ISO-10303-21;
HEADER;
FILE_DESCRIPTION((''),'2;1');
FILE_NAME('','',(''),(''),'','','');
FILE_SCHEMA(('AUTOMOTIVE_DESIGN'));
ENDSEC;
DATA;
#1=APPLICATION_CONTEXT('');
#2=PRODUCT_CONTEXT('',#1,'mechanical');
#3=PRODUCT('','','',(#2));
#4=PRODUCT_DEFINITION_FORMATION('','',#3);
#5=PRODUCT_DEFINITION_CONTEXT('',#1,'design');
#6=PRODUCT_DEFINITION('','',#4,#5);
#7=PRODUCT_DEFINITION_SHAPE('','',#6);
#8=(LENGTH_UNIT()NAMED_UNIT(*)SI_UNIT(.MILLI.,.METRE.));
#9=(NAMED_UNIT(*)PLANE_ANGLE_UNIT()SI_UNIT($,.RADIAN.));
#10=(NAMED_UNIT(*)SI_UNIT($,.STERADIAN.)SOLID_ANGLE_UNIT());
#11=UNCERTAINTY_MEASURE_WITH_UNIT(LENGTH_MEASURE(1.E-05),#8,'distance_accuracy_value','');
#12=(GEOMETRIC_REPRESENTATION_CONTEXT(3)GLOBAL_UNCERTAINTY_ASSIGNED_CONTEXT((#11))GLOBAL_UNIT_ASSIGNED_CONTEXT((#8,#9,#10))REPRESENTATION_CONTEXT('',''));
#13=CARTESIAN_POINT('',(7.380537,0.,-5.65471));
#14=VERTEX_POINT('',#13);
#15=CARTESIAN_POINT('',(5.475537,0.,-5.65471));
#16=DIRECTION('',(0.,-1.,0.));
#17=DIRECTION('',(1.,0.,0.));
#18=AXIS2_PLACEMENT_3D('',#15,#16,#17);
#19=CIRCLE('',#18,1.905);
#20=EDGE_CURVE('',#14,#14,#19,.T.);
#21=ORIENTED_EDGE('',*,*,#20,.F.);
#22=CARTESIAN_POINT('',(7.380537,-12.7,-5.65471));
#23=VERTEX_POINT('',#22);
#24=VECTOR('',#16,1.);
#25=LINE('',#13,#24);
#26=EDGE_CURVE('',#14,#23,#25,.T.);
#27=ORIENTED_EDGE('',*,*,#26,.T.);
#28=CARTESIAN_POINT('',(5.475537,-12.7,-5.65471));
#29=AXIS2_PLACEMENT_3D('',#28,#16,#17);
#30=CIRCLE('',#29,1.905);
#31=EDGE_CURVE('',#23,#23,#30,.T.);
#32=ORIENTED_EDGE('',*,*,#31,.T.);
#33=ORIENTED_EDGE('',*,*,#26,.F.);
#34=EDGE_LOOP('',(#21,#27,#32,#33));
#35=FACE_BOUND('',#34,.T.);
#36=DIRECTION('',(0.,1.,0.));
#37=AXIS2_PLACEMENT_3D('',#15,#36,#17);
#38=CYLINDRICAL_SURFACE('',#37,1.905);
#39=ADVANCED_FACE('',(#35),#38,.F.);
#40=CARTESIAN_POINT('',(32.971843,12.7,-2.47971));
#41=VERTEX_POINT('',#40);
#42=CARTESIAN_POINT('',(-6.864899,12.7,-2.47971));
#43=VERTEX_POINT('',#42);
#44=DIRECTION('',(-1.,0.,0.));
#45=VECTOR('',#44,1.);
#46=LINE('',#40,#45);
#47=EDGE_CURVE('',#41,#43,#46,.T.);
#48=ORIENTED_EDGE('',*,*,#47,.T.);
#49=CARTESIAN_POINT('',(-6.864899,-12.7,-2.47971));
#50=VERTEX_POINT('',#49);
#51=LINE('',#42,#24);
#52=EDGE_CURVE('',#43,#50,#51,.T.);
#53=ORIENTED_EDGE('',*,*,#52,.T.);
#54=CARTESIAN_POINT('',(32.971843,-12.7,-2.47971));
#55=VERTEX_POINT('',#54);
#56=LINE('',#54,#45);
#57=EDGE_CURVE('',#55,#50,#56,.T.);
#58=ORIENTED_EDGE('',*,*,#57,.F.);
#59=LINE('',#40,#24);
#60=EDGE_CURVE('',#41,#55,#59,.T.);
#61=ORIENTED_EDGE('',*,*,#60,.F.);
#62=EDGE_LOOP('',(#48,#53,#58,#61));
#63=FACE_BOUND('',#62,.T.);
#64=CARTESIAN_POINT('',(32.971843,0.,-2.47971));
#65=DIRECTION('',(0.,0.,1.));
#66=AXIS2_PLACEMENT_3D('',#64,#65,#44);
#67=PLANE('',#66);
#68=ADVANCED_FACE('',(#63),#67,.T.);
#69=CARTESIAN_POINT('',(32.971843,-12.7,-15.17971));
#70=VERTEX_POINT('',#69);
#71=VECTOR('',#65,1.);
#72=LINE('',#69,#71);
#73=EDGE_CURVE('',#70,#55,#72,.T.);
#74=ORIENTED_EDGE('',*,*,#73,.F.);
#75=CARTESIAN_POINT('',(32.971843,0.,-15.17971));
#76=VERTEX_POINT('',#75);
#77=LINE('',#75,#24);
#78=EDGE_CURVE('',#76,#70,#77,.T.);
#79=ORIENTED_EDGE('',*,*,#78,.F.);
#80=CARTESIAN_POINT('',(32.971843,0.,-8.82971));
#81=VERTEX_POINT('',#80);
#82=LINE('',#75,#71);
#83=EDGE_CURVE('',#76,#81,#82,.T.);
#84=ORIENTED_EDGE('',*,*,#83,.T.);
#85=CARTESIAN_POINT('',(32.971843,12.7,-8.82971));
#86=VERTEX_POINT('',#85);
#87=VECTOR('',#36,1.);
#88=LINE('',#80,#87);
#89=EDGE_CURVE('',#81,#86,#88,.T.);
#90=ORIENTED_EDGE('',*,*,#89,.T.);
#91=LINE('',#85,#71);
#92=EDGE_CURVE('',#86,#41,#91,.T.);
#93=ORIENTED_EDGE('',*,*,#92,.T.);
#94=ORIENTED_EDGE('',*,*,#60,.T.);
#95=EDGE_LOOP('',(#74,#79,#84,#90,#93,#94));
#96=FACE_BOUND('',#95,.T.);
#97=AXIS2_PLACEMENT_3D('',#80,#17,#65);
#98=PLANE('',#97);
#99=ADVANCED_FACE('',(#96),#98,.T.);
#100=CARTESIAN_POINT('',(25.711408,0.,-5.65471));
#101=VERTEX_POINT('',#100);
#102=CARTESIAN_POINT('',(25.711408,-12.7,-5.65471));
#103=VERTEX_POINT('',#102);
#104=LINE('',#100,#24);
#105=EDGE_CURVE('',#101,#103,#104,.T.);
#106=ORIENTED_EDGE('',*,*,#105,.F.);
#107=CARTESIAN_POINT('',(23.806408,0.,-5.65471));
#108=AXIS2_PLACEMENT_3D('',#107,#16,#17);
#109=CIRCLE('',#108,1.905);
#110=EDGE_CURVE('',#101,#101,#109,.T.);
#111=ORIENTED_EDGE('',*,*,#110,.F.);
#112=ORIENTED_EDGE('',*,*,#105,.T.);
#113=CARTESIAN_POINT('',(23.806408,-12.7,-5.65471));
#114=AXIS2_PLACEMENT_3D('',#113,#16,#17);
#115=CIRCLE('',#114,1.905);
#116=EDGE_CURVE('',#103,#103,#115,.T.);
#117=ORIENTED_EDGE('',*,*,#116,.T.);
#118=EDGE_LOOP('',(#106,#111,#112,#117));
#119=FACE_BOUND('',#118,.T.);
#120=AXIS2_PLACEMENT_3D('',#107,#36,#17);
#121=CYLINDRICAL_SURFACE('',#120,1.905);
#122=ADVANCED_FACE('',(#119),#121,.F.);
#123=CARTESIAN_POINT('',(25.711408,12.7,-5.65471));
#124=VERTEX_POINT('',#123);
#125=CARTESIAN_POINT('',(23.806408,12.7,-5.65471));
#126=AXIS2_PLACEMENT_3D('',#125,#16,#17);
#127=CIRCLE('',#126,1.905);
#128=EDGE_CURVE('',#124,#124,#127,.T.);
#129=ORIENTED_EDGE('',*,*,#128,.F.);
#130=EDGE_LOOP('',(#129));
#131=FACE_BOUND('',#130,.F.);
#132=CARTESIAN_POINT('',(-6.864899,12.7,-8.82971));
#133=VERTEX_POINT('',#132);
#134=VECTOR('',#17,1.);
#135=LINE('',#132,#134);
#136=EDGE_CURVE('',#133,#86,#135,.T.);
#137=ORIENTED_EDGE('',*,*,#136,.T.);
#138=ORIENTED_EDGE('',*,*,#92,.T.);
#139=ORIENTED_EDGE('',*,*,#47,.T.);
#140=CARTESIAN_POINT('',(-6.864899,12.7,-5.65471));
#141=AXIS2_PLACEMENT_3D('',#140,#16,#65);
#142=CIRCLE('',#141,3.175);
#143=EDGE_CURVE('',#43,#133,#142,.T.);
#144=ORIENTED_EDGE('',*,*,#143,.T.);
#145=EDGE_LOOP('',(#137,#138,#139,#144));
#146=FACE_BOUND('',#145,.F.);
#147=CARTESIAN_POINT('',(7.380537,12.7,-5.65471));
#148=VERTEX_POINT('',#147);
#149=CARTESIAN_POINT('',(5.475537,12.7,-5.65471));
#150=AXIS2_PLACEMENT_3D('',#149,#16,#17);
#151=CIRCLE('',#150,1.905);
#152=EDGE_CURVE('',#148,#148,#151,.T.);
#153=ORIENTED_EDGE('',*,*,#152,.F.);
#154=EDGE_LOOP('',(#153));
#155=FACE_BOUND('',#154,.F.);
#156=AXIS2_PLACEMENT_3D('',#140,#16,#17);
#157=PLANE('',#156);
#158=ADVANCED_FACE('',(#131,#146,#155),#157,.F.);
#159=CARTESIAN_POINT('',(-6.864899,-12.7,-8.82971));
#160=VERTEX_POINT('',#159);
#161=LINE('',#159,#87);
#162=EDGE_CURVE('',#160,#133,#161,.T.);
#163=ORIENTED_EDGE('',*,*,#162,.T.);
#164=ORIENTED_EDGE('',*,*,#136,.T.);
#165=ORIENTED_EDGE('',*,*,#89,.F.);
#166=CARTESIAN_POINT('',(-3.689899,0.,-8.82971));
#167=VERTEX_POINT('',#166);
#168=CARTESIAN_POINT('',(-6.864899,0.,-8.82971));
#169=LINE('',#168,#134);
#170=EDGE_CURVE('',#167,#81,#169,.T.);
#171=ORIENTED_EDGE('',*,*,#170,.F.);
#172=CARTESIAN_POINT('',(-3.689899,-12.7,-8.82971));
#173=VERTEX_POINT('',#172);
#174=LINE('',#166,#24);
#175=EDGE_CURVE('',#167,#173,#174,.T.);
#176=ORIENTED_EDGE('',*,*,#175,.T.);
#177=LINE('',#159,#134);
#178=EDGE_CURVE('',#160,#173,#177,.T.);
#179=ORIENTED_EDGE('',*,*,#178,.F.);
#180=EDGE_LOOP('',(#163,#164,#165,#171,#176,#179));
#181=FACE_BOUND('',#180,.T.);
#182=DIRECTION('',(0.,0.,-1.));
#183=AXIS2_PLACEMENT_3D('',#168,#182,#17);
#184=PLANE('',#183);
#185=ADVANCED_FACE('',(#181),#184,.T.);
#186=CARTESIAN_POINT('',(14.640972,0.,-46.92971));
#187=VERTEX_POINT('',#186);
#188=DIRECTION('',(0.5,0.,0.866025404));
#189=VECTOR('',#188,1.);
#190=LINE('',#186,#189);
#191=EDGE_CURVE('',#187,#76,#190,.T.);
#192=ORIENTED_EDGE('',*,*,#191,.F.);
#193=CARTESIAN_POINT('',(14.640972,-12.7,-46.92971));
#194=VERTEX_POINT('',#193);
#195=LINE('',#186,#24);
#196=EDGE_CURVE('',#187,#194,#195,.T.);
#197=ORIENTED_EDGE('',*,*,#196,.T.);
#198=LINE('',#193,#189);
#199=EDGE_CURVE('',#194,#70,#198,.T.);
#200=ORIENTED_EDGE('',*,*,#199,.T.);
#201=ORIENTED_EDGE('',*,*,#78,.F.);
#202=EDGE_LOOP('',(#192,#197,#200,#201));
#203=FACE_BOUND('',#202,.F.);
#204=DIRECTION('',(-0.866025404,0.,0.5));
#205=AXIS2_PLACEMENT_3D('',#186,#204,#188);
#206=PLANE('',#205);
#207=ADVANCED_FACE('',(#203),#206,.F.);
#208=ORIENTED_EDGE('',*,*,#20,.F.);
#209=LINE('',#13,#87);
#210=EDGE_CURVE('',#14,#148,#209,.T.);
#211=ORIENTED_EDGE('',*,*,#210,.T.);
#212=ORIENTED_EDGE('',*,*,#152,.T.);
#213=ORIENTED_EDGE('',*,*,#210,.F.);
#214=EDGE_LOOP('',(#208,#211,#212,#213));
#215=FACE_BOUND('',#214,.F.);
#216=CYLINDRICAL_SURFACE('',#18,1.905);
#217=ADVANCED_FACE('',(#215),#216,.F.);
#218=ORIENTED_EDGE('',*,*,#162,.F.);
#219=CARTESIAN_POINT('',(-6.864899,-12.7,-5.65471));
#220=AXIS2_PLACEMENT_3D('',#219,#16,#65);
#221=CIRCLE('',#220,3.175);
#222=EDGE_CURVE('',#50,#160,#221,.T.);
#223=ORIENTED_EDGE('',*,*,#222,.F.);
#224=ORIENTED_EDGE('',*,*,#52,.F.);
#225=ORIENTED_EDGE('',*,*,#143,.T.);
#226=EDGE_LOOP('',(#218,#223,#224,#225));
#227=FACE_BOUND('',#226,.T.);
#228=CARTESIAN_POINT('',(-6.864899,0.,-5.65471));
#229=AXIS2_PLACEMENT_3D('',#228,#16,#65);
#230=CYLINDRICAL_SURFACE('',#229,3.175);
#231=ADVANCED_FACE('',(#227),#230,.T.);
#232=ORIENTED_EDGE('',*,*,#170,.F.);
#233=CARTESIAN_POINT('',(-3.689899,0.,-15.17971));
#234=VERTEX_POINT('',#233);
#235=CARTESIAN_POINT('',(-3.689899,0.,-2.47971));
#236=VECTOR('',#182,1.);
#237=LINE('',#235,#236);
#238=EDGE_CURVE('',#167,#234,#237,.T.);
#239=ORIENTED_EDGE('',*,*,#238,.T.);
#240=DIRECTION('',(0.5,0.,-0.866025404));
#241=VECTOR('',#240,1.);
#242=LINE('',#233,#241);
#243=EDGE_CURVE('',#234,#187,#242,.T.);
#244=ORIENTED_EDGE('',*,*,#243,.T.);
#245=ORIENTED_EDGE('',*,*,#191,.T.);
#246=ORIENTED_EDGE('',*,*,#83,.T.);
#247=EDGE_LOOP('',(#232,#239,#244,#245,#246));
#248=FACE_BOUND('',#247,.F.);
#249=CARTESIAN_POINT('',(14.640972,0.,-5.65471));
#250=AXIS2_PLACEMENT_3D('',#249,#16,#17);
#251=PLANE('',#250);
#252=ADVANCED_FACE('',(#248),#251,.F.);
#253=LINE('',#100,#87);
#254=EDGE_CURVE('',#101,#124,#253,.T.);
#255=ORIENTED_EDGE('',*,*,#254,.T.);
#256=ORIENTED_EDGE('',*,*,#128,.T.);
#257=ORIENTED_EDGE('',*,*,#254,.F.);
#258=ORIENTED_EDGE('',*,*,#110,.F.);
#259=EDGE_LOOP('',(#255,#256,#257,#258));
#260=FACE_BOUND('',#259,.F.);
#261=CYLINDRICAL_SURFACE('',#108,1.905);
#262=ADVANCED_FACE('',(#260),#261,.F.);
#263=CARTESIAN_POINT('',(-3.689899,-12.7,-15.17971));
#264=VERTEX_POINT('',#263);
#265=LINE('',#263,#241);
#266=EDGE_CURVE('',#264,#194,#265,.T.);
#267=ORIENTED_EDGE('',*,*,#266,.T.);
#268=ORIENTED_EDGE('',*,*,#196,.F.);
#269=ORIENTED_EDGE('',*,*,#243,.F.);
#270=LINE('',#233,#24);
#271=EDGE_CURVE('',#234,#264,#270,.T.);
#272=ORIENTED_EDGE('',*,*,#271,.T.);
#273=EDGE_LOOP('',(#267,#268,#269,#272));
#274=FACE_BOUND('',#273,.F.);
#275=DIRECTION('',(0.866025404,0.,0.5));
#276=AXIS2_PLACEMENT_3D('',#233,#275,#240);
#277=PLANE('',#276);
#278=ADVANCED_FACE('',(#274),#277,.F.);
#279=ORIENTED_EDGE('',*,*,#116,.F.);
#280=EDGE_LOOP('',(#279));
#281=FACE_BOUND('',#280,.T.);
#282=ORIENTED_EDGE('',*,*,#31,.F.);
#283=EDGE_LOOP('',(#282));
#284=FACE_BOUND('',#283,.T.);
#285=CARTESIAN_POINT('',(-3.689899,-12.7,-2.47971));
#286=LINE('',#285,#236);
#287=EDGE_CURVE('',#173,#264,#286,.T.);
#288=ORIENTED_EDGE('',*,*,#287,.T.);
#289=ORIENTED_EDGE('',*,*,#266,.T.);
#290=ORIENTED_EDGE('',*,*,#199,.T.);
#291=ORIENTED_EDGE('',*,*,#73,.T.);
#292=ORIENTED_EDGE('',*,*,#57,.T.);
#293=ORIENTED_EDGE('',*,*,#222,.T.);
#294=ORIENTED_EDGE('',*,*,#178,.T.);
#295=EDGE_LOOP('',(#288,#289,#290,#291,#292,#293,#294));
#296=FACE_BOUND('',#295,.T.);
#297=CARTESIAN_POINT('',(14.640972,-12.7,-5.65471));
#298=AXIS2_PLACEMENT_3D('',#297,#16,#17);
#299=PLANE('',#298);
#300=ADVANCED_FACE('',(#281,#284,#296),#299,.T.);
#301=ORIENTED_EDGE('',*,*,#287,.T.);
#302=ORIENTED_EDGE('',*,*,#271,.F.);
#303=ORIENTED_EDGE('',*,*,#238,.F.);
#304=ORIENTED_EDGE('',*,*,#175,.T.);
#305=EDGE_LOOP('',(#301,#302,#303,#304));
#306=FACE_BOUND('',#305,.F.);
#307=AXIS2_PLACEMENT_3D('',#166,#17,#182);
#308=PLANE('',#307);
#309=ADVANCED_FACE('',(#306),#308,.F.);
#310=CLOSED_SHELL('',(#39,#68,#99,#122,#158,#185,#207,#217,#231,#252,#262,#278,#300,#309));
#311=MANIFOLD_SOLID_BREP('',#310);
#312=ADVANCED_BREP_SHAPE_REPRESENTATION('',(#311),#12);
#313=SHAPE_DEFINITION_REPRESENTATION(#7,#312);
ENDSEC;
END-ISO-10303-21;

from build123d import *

# Parameters (mm, degrees)
F0_R     = 1.905
F1_DEPTH = 12.7
F2_DEPTH = 12.7
F3_DEPTH = 12.7


with BuildPart() as f1:
    # F0 (on Front) → F1 (new body)
    with BuildSketch(Plane.XZ):
        Polygon((-3.6898989651, -8.8297099552), (32.9718431285, -8.8297099552), (32.9718431285, -2.4797099552), (-3.6898989651, -2.4797099552), (-3.6898989651, -5.6547099552), align=None)
        with Locations((5.4755365583, -5.6547099552)):
            Circle(F0_R, mode=Mode.SUBTRACT)
        with Locations((23.8064076051, -5.6547099552)):
            Circle(F0_R, mode=Mode.SUBTRACT)
        Polygon((14.6409720817, -46.9297099552), (32.9718431285, -15.1797099552), (32.9718431285, -8.8297099552), (-3.6898989651, -8.8297099552), (-3.6898989651, -15.1797099552), align=None)
        with BuildLine():
            ThreePointArc((-6.8648989651, -8.8297099552), (-4.6198349348, -7.8997739855), (-3.6898989651, -5.6547099552))
            ThreePointArc((-3.6898989651, -5.6547099552), (-4.6198349348, -3.409645925), (-6.8648989651, -2.4797099552))
            ThreePointArc((-6.8648989651, -2.4797099552), (-10.0398989651, -5.6547099552), (-6.8648989651, -8.8297099552))
        make_face()
        with Locations((-6.8648989651, -5.6547099552)):
            Circle(F0_R, mode=Mode.SUBTRACT)
        with BuildLine():
            Line((-3.6898989651, -5.6547099552), (-3.6898989651, -2.4797099552))
            Line((-3.6898989651, -2.4797099552), (-6.8648989651, -2.4797099552))
            ThreePointArc((-6.8648989651, -2.4797099552), (-4.6198349348, -3.409645925), (-3.6898989651, -5.6547099552))
        make_face()
        with BuildLine():
            Line((-6.8648989651, -8.8297099552), (-3.6898989651, -8.8297099552))
            Line((-3.6898989651, -8.8297099552), (-3.6898989651, -5.6547099552))
            ThreePointArc((-3.6898989651, -5.6547099552), (-4.6198349348, -7.8997739855), (-6.8648989651, -8.8297099552))
        make_face()
        with Locations((-6.8648989651, -5.6547099552)):
            Circle(F0_R)
    extrude(amount=F1_DEPTH)

    # F0 (on Front) → F2 (join)
    with BuildSketch(Plane.XZ):
        Polygon((-3.6898989651, -8.8297099552), (32.9718431285, -8.8297099552), (32.9718431285, -2.4797099552), (-3.6898989651, -2.4797099552), (-3.6898989651, -5.6547099552), align=None)
        with Locations((5.4755365583, -5.6547099552)):
            Circle(F0_R, mode=Mode.SUBTRACT)
        with Locations((23.8064076051, -5.6547099552)):
            Circle(F0_R, mode=Mode.SUBTRACT)
        with BuildLine():
            ThreePointArc((-6.8648989651, -8.8297099552), (-4.6198349348, -7.8997739855), (-3.6898989651, -5.6547099552))
            ThreePointArc((-3.6898989651, -5.6547099552), (-4.6198349348, -3.409645925), (-6.8648989651, -2.4797099552))
            ThreePointArc((-6.8648989651, -2.4797099552), (-10.0398989651, -5.6547099552), (-6.8648989651, -8.8297099552))
        make_face()
        with Locations((-6.8648989651, -5.6547099552)):
            Circle(F0_R, mode=Mode.SUBTRACT)
        with BuildLine():
            Line((-3.6898989651, -5.6547099552), (-3.6898989651, -2.4797099552))
            Line((-3.6898989651, -2.4797099552), (-6.8648989651, -2.4797099552))
            ThreePointArc((-6.8648989651, -2.4797099552), (-4.6198349348, -3.409645925), (-3.6898989651, -5.6547099552))
        make_face()
        with BuildLine():
            Line((-6.8648989651, -8.8297099552), (-3.6898989651, -8.8297099552))
            Line((-3.6898989651, -8.8297099552), (-3.6898989651, -5.6547099552))
            ThreePointArc((-3.6898989651, -5.6547099552), (-4.6198349348, -7.8997739855), (-6.8648989651, -8.8297099552))
        make_face()
    extrude(amount=-F2_DEPTH)

    # F0 (on Front) → F3 (join)
    with BuildSketch(Plane.XZ):
        with Locations((-6.8648989651, -5.6547099552)):
            Circle(F0_R)
    extrude(amount=-F3_DEPTH)


solid = f1.part
